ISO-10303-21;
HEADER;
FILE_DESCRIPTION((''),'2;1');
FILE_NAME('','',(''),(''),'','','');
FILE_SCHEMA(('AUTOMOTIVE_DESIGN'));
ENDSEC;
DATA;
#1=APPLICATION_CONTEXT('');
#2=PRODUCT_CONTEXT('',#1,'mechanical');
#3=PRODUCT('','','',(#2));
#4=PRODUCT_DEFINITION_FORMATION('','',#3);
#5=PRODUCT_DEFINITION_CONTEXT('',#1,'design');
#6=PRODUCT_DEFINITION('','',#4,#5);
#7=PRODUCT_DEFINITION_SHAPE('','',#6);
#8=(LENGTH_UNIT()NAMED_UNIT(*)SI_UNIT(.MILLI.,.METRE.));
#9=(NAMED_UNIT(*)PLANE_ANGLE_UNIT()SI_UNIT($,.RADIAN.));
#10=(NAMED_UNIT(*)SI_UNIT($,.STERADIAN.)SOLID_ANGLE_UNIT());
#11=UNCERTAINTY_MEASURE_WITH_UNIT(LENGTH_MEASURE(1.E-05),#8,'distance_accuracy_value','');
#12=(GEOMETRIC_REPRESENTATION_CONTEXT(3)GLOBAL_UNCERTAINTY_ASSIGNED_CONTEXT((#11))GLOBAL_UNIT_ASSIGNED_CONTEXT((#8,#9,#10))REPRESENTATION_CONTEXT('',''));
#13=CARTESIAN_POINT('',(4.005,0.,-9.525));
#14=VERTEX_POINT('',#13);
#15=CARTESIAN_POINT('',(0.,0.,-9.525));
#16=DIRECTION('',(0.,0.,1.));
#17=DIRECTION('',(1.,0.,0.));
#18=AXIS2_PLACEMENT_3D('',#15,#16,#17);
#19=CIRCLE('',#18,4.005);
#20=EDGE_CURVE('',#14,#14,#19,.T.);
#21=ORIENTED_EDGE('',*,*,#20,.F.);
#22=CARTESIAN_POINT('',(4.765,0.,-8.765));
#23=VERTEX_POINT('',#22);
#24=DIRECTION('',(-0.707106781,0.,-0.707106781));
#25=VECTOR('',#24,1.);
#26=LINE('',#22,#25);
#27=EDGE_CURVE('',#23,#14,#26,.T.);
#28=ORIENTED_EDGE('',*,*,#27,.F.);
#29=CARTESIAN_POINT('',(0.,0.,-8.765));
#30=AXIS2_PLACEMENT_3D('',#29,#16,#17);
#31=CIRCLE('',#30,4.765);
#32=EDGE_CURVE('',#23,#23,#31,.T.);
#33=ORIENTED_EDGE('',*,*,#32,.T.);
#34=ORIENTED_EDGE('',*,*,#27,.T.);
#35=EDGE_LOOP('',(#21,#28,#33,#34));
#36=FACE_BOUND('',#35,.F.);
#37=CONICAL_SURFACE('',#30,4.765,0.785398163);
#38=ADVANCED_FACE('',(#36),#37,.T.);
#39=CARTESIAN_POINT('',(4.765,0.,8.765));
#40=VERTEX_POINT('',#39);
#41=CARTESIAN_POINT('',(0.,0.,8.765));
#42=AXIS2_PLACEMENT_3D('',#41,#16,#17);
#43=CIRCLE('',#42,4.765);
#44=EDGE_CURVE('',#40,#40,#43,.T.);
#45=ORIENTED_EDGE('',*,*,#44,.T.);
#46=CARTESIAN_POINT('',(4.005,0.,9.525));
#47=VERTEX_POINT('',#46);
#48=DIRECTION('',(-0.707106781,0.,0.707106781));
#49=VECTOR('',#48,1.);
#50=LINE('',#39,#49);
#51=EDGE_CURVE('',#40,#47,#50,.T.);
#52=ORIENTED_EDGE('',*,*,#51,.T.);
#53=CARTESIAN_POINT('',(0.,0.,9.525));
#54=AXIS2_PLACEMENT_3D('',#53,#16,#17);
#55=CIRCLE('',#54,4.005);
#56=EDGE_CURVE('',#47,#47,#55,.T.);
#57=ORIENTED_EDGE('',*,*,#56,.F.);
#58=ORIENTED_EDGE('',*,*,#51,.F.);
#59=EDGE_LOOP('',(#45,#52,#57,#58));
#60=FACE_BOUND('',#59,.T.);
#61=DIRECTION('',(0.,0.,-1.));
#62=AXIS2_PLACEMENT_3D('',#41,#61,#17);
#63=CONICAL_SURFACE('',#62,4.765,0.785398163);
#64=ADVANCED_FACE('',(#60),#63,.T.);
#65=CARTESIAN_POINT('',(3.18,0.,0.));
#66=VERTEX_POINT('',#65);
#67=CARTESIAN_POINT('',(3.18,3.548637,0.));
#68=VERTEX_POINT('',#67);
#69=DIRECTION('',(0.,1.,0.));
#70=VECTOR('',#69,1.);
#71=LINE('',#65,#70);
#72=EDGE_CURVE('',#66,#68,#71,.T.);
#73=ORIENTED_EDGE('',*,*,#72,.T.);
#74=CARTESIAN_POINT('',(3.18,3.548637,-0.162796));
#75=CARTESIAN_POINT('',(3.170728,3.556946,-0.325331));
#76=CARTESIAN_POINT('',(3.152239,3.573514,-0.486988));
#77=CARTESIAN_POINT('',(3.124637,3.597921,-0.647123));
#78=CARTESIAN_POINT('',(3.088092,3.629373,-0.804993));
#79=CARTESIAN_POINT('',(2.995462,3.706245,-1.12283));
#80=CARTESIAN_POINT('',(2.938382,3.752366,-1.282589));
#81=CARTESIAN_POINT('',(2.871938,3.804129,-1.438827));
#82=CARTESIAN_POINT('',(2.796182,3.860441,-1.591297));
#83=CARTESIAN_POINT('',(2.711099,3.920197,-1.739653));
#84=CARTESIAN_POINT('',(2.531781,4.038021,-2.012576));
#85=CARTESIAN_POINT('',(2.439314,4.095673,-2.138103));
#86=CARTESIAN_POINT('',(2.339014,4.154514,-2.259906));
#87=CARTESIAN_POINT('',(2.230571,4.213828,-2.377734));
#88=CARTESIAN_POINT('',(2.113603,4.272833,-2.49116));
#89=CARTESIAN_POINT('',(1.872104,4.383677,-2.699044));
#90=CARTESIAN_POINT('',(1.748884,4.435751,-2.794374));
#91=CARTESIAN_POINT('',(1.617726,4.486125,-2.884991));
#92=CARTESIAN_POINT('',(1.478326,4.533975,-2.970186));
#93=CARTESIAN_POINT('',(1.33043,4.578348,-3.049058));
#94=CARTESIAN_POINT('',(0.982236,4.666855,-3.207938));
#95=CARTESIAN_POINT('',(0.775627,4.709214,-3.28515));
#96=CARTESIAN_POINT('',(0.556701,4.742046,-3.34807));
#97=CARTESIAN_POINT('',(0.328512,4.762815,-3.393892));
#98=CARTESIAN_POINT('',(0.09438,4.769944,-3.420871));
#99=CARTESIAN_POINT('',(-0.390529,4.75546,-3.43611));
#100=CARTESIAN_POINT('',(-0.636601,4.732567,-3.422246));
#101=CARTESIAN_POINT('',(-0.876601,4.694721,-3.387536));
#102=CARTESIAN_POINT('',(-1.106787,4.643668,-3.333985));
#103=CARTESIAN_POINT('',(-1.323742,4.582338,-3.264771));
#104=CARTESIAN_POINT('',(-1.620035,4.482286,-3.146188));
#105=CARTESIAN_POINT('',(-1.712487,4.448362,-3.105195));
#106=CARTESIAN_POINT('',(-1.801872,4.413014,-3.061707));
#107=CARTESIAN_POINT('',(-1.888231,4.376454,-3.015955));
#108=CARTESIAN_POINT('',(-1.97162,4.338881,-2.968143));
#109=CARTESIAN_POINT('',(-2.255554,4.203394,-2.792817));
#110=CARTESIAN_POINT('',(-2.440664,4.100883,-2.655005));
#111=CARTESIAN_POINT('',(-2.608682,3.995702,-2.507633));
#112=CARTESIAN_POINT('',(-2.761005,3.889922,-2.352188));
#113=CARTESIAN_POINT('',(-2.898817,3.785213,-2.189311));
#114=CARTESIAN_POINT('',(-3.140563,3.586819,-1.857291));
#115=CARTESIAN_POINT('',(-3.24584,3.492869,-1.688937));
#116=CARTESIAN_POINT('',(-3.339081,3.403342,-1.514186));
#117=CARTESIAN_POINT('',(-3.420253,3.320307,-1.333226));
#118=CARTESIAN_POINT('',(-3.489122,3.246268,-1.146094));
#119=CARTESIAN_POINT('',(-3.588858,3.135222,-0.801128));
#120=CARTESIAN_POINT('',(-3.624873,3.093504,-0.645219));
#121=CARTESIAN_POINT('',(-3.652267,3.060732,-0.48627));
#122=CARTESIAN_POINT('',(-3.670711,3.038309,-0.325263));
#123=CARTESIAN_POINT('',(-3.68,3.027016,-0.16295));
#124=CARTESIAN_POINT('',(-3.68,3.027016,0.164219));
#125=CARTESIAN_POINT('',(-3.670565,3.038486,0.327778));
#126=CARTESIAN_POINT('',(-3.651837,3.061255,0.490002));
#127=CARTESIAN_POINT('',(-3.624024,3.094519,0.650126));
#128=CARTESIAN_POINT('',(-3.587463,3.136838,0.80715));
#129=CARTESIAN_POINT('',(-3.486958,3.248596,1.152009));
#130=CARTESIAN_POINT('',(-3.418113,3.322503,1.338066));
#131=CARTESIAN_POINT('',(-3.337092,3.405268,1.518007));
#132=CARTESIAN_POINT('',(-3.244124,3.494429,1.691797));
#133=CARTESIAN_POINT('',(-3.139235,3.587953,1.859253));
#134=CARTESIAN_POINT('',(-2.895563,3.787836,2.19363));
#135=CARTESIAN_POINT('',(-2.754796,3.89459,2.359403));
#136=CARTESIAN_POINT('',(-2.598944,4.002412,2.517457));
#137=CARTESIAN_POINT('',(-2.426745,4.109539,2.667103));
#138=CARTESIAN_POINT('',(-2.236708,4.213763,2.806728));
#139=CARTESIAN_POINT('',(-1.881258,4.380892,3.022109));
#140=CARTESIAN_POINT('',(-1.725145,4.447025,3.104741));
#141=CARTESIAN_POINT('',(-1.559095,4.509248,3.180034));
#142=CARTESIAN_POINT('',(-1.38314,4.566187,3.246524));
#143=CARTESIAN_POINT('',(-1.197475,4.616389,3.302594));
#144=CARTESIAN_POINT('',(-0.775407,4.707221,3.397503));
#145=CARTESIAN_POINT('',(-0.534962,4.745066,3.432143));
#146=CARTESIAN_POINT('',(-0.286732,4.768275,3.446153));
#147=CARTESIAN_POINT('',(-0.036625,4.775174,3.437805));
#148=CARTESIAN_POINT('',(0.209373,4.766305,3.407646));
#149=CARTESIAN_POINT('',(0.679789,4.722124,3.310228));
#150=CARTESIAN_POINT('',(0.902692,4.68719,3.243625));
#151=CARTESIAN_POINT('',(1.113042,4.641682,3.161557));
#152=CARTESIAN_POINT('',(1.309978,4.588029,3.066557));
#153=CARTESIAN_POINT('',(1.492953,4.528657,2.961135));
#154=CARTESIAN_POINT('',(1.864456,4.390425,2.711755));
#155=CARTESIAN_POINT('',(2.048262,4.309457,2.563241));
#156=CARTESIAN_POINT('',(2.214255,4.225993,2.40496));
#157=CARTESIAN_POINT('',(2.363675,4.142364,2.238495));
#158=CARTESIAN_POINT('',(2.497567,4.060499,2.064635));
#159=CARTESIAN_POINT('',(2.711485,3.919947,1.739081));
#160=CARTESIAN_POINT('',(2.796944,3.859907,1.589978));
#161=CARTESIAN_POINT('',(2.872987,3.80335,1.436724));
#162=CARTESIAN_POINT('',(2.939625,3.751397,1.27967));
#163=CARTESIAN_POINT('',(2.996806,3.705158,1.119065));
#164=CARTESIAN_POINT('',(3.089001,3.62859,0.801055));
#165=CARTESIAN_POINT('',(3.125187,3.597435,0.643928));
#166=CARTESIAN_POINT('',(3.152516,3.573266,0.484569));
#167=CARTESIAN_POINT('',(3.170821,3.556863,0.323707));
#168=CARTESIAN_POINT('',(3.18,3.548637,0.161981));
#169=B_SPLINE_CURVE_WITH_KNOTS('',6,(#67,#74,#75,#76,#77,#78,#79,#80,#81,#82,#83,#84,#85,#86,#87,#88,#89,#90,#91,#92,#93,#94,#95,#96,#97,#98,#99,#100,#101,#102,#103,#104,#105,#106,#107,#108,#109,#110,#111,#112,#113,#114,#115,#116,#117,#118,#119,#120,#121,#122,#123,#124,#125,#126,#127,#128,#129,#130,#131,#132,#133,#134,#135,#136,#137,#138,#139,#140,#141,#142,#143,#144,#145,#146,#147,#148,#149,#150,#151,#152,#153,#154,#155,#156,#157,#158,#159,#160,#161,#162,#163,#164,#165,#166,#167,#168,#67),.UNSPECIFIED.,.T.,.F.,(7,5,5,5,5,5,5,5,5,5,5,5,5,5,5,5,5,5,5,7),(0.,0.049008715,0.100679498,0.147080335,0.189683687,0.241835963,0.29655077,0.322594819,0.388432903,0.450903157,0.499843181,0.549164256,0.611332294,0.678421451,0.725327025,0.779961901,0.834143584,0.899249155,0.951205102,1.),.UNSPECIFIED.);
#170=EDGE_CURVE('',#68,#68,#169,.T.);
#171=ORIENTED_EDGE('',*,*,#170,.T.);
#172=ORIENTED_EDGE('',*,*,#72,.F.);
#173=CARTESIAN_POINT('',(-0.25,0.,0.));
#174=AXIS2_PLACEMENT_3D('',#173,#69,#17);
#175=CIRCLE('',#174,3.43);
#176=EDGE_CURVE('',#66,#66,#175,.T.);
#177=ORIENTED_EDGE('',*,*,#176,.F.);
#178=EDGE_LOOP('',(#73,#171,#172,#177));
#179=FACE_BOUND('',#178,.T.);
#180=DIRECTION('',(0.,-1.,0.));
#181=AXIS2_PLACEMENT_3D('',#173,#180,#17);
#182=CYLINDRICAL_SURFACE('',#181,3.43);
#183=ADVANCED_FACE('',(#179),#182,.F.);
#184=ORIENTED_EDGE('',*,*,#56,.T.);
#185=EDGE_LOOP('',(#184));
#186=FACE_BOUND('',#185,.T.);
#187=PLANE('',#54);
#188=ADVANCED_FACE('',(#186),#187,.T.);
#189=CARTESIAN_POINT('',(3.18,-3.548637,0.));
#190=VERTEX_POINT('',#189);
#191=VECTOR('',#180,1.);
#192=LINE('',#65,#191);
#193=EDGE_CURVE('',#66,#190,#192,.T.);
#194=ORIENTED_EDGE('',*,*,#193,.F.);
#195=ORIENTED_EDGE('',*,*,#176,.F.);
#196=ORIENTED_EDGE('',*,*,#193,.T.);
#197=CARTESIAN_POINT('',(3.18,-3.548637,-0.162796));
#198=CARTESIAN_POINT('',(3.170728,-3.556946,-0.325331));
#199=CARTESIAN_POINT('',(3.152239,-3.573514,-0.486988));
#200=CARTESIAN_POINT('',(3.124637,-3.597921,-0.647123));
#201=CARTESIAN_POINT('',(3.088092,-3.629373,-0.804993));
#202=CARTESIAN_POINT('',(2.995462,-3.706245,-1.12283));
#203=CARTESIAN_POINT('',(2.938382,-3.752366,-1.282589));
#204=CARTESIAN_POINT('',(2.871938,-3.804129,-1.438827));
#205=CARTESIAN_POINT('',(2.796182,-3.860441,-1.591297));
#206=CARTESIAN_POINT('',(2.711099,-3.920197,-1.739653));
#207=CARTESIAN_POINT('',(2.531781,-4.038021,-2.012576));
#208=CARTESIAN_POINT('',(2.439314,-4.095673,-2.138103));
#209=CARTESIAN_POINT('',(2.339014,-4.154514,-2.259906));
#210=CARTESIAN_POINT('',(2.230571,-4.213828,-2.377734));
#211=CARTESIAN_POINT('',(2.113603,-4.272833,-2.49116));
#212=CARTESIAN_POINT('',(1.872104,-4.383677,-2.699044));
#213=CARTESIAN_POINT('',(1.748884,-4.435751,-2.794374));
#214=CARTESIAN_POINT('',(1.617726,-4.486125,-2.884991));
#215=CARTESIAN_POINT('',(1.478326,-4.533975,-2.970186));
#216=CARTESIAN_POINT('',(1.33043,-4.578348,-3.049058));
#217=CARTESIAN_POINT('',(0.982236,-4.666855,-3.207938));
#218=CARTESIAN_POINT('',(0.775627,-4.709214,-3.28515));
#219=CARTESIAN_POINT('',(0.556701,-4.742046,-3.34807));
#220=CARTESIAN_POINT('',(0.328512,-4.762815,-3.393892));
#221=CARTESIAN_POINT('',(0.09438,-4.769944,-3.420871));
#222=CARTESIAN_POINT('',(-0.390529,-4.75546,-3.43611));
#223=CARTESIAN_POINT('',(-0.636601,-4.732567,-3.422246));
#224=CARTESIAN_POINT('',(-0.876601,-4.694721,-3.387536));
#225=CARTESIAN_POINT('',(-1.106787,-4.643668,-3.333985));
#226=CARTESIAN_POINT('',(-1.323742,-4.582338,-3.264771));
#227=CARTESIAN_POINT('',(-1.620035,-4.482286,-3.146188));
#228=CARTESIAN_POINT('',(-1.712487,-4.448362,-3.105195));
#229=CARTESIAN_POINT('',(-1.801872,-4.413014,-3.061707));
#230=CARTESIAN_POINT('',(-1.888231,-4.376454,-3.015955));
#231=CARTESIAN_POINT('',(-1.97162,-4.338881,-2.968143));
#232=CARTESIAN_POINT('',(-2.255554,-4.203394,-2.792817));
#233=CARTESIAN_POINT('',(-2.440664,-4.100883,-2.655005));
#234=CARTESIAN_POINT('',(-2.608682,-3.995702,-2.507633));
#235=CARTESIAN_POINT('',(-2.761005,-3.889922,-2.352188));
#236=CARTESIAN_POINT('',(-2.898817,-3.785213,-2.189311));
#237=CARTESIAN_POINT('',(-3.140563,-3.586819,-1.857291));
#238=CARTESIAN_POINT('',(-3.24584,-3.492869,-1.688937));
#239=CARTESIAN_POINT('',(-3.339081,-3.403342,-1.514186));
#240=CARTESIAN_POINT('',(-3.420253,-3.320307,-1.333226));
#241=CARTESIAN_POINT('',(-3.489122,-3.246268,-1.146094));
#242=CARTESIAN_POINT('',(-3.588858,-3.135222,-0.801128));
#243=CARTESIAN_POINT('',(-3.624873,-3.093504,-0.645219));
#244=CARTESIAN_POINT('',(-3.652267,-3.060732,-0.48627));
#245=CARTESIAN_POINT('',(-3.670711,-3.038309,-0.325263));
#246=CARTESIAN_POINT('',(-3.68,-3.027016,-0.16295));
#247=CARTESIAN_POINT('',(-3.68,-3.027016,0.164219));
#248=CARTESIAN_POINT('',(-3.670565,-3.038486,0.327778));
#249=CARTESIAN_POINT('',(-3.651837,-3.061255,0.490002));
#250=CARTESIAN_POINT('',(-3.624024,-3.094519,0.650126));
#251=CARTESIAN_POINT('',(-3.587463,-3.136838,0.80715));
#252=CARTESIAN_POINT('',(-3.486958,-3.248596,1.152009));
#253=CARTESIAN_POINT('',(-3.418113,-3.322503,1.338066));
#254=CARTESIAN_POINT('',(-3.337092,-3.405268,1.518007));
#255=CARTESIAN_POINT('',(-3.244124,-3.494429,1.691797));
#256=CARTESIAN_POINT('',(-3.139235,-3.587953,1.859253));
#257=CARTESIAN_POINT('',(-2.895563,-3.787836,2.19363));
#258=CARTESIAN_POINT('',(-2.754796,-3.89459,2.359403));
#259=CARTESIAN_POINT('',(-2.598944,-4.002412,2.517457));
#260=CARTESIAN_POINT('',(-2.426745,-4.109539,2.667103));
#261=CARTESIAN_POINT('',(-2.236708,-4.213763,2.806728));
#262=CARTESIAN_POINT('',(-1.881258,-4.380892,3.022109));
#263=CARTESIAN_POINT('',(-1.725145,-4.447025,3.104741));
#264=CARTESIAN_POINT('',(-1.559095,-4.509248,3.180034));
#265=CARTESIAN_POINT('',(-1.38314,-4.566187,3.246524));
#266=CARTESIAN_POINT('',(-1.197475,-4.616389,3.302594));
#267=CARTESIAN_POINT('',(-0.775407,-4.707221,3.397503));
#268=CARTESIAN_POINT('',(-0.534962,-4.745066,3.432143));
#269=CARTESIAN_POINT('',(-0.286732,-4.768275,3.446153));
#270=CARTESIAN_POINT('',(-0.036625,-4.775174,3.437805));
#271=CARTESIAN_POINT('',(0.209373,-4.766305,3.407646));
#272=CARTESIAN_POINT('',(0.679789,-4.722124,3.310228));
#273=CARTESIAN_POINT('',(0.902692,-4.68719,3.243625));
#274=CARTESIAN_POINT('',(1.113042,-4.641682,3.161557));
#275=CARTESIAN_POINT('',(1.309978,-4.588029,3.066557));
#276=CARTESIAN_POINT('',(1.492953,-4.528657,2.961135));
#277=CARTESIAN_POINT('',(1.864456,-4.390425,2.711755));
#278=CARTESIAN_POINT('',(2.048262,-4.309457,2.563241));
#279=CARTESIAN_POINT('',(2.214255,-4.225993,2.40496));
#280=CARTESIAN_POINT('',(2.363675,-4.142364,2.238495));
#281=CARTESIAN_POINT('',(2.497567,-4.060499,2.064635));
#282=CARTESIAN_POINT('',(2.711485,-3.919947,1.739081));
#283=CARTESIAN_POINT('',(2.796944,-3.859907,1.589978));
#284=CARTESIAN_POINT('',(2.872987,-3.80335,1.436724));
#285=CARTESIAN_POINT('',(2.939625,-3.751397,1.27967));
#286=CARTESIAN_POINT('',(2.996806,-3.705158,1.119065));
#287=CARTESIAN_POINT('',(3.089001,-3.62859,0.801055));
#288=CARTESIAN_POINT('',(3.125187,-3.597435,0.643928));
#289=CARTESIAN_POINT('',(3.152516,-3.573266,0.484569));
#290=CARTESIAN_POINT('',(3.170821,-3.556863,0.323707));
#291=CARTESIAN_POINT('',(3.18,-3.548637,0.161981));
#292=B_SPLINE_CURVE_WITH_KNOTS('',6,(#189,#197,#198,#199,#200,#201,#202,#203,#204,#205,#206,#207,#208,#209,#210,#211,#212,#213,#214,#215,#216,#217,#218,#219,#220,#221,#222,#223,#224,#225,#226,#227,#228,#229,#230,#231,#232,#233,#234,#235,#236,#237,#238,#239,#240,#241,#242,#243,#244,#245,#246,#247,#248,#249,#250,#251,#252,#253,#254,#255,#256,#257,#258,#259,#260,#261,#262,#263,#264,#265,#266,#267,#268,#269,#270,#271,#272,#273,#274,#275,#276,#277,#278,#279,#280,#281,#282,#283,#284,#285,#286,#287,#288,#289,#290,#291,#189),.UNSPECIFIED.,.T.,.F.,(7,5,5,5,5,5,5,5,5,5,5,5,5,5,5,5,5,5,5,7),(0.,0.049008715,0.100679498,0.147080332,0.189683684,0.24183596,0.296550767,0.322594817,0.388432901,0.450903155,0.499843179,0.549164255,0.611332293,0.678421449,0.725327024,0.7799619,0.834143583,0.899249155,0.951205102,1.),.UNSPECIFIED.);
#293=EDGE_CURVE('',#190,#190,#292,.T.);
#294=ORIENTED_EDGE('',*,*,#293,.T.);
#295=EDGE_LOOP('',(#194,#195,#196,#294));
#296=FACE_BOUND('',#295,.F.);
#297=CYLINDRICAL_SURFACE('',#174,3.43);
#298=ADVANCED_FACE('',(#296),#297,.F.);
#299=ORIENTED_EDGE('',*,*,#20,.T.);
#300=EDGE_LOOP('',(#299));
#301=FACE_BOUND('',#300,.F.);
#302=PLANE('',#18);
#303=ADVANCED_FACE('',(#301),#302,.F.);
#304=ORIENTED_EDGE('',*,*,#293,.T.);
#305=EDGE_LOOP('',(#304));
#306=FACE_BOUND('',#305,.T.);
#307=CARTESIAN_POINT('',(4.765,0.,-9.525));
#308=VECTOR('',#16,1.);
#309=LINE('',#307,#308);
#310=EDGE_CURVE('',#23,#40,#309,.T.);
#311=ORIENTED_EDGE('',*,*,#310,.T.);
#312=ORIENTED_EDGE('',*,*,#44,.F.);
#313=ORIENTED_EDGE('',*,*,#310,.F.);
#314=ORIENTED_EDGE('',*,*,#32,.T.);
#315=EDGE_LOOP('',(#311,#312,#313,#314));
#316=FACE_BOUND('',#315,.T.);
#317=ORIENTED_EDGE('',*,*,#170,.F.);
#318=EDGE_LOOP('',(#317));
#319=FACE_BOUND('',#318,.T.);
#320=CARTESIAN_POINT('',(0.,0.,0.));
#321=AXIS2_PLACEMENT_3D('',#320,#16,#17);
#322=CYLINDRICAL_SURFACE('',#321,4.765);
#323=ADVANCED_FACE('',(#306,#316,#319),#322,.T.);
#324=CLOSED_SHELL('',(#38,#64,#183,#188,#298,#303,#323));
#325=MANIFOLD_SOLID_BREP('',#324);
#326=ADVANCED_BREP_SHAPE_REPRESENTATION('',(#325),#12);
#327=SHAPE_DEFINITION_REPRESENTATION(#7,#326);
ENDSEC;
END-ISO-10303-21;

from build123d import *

# Parameters (mm, degrees)
SKETCH1_R               = 4.765
BOSS_EXTRUDE1_DEPTH     = 9.525
CHAMFER1_SIZE           = 0.76
SKETCH2_R               = 3.43
CUT_EXTRUDE1_DEPTH      = 5.765
CUT_EXTRUDE1_DEPTH_BACK = 5.765


with BuildPart() as part:
    # Sketch1 → Boss-Extrude1 (new body, symmetric)
    with BuildSketch(Plane.XY):
        Circle(SKETCH1_R)
    extrude(amount=BOSS_EXTRUDE1_DEPTH, both=True)

    # Chamfer1
    chamfer1_edges = [part.edges().sort_by_distance(p)[0] for p in [
        (-4.765, 0, -9.525),
        (-4.765, 0, 9.525),
    ]]
    chamfer(chamfer1_edges, length=CHAMFER1_SIZE)

    # Sketch2 → Cut-Extrude1 (cut, two sides)
    with BuildSketch(Plane(origin=(0, 0, 0), x_dir=(1, 0, 0), z_dir=(0, 1, 0))) as cut_extrude1_sk:
        with Locations((-0.25, 0)):
            Circle(SKETCH2_R)
    extrude(amount=CUT_EXTRUDE1_DEPTH, mode=Mode.SUBTRACT)
    extrude(cut_extrude1_sk.sketch, amount=-CUT_EXTRUDE1_DEPTH_BACK, mode=Mode.SUBTRACT)


solid = part.part
